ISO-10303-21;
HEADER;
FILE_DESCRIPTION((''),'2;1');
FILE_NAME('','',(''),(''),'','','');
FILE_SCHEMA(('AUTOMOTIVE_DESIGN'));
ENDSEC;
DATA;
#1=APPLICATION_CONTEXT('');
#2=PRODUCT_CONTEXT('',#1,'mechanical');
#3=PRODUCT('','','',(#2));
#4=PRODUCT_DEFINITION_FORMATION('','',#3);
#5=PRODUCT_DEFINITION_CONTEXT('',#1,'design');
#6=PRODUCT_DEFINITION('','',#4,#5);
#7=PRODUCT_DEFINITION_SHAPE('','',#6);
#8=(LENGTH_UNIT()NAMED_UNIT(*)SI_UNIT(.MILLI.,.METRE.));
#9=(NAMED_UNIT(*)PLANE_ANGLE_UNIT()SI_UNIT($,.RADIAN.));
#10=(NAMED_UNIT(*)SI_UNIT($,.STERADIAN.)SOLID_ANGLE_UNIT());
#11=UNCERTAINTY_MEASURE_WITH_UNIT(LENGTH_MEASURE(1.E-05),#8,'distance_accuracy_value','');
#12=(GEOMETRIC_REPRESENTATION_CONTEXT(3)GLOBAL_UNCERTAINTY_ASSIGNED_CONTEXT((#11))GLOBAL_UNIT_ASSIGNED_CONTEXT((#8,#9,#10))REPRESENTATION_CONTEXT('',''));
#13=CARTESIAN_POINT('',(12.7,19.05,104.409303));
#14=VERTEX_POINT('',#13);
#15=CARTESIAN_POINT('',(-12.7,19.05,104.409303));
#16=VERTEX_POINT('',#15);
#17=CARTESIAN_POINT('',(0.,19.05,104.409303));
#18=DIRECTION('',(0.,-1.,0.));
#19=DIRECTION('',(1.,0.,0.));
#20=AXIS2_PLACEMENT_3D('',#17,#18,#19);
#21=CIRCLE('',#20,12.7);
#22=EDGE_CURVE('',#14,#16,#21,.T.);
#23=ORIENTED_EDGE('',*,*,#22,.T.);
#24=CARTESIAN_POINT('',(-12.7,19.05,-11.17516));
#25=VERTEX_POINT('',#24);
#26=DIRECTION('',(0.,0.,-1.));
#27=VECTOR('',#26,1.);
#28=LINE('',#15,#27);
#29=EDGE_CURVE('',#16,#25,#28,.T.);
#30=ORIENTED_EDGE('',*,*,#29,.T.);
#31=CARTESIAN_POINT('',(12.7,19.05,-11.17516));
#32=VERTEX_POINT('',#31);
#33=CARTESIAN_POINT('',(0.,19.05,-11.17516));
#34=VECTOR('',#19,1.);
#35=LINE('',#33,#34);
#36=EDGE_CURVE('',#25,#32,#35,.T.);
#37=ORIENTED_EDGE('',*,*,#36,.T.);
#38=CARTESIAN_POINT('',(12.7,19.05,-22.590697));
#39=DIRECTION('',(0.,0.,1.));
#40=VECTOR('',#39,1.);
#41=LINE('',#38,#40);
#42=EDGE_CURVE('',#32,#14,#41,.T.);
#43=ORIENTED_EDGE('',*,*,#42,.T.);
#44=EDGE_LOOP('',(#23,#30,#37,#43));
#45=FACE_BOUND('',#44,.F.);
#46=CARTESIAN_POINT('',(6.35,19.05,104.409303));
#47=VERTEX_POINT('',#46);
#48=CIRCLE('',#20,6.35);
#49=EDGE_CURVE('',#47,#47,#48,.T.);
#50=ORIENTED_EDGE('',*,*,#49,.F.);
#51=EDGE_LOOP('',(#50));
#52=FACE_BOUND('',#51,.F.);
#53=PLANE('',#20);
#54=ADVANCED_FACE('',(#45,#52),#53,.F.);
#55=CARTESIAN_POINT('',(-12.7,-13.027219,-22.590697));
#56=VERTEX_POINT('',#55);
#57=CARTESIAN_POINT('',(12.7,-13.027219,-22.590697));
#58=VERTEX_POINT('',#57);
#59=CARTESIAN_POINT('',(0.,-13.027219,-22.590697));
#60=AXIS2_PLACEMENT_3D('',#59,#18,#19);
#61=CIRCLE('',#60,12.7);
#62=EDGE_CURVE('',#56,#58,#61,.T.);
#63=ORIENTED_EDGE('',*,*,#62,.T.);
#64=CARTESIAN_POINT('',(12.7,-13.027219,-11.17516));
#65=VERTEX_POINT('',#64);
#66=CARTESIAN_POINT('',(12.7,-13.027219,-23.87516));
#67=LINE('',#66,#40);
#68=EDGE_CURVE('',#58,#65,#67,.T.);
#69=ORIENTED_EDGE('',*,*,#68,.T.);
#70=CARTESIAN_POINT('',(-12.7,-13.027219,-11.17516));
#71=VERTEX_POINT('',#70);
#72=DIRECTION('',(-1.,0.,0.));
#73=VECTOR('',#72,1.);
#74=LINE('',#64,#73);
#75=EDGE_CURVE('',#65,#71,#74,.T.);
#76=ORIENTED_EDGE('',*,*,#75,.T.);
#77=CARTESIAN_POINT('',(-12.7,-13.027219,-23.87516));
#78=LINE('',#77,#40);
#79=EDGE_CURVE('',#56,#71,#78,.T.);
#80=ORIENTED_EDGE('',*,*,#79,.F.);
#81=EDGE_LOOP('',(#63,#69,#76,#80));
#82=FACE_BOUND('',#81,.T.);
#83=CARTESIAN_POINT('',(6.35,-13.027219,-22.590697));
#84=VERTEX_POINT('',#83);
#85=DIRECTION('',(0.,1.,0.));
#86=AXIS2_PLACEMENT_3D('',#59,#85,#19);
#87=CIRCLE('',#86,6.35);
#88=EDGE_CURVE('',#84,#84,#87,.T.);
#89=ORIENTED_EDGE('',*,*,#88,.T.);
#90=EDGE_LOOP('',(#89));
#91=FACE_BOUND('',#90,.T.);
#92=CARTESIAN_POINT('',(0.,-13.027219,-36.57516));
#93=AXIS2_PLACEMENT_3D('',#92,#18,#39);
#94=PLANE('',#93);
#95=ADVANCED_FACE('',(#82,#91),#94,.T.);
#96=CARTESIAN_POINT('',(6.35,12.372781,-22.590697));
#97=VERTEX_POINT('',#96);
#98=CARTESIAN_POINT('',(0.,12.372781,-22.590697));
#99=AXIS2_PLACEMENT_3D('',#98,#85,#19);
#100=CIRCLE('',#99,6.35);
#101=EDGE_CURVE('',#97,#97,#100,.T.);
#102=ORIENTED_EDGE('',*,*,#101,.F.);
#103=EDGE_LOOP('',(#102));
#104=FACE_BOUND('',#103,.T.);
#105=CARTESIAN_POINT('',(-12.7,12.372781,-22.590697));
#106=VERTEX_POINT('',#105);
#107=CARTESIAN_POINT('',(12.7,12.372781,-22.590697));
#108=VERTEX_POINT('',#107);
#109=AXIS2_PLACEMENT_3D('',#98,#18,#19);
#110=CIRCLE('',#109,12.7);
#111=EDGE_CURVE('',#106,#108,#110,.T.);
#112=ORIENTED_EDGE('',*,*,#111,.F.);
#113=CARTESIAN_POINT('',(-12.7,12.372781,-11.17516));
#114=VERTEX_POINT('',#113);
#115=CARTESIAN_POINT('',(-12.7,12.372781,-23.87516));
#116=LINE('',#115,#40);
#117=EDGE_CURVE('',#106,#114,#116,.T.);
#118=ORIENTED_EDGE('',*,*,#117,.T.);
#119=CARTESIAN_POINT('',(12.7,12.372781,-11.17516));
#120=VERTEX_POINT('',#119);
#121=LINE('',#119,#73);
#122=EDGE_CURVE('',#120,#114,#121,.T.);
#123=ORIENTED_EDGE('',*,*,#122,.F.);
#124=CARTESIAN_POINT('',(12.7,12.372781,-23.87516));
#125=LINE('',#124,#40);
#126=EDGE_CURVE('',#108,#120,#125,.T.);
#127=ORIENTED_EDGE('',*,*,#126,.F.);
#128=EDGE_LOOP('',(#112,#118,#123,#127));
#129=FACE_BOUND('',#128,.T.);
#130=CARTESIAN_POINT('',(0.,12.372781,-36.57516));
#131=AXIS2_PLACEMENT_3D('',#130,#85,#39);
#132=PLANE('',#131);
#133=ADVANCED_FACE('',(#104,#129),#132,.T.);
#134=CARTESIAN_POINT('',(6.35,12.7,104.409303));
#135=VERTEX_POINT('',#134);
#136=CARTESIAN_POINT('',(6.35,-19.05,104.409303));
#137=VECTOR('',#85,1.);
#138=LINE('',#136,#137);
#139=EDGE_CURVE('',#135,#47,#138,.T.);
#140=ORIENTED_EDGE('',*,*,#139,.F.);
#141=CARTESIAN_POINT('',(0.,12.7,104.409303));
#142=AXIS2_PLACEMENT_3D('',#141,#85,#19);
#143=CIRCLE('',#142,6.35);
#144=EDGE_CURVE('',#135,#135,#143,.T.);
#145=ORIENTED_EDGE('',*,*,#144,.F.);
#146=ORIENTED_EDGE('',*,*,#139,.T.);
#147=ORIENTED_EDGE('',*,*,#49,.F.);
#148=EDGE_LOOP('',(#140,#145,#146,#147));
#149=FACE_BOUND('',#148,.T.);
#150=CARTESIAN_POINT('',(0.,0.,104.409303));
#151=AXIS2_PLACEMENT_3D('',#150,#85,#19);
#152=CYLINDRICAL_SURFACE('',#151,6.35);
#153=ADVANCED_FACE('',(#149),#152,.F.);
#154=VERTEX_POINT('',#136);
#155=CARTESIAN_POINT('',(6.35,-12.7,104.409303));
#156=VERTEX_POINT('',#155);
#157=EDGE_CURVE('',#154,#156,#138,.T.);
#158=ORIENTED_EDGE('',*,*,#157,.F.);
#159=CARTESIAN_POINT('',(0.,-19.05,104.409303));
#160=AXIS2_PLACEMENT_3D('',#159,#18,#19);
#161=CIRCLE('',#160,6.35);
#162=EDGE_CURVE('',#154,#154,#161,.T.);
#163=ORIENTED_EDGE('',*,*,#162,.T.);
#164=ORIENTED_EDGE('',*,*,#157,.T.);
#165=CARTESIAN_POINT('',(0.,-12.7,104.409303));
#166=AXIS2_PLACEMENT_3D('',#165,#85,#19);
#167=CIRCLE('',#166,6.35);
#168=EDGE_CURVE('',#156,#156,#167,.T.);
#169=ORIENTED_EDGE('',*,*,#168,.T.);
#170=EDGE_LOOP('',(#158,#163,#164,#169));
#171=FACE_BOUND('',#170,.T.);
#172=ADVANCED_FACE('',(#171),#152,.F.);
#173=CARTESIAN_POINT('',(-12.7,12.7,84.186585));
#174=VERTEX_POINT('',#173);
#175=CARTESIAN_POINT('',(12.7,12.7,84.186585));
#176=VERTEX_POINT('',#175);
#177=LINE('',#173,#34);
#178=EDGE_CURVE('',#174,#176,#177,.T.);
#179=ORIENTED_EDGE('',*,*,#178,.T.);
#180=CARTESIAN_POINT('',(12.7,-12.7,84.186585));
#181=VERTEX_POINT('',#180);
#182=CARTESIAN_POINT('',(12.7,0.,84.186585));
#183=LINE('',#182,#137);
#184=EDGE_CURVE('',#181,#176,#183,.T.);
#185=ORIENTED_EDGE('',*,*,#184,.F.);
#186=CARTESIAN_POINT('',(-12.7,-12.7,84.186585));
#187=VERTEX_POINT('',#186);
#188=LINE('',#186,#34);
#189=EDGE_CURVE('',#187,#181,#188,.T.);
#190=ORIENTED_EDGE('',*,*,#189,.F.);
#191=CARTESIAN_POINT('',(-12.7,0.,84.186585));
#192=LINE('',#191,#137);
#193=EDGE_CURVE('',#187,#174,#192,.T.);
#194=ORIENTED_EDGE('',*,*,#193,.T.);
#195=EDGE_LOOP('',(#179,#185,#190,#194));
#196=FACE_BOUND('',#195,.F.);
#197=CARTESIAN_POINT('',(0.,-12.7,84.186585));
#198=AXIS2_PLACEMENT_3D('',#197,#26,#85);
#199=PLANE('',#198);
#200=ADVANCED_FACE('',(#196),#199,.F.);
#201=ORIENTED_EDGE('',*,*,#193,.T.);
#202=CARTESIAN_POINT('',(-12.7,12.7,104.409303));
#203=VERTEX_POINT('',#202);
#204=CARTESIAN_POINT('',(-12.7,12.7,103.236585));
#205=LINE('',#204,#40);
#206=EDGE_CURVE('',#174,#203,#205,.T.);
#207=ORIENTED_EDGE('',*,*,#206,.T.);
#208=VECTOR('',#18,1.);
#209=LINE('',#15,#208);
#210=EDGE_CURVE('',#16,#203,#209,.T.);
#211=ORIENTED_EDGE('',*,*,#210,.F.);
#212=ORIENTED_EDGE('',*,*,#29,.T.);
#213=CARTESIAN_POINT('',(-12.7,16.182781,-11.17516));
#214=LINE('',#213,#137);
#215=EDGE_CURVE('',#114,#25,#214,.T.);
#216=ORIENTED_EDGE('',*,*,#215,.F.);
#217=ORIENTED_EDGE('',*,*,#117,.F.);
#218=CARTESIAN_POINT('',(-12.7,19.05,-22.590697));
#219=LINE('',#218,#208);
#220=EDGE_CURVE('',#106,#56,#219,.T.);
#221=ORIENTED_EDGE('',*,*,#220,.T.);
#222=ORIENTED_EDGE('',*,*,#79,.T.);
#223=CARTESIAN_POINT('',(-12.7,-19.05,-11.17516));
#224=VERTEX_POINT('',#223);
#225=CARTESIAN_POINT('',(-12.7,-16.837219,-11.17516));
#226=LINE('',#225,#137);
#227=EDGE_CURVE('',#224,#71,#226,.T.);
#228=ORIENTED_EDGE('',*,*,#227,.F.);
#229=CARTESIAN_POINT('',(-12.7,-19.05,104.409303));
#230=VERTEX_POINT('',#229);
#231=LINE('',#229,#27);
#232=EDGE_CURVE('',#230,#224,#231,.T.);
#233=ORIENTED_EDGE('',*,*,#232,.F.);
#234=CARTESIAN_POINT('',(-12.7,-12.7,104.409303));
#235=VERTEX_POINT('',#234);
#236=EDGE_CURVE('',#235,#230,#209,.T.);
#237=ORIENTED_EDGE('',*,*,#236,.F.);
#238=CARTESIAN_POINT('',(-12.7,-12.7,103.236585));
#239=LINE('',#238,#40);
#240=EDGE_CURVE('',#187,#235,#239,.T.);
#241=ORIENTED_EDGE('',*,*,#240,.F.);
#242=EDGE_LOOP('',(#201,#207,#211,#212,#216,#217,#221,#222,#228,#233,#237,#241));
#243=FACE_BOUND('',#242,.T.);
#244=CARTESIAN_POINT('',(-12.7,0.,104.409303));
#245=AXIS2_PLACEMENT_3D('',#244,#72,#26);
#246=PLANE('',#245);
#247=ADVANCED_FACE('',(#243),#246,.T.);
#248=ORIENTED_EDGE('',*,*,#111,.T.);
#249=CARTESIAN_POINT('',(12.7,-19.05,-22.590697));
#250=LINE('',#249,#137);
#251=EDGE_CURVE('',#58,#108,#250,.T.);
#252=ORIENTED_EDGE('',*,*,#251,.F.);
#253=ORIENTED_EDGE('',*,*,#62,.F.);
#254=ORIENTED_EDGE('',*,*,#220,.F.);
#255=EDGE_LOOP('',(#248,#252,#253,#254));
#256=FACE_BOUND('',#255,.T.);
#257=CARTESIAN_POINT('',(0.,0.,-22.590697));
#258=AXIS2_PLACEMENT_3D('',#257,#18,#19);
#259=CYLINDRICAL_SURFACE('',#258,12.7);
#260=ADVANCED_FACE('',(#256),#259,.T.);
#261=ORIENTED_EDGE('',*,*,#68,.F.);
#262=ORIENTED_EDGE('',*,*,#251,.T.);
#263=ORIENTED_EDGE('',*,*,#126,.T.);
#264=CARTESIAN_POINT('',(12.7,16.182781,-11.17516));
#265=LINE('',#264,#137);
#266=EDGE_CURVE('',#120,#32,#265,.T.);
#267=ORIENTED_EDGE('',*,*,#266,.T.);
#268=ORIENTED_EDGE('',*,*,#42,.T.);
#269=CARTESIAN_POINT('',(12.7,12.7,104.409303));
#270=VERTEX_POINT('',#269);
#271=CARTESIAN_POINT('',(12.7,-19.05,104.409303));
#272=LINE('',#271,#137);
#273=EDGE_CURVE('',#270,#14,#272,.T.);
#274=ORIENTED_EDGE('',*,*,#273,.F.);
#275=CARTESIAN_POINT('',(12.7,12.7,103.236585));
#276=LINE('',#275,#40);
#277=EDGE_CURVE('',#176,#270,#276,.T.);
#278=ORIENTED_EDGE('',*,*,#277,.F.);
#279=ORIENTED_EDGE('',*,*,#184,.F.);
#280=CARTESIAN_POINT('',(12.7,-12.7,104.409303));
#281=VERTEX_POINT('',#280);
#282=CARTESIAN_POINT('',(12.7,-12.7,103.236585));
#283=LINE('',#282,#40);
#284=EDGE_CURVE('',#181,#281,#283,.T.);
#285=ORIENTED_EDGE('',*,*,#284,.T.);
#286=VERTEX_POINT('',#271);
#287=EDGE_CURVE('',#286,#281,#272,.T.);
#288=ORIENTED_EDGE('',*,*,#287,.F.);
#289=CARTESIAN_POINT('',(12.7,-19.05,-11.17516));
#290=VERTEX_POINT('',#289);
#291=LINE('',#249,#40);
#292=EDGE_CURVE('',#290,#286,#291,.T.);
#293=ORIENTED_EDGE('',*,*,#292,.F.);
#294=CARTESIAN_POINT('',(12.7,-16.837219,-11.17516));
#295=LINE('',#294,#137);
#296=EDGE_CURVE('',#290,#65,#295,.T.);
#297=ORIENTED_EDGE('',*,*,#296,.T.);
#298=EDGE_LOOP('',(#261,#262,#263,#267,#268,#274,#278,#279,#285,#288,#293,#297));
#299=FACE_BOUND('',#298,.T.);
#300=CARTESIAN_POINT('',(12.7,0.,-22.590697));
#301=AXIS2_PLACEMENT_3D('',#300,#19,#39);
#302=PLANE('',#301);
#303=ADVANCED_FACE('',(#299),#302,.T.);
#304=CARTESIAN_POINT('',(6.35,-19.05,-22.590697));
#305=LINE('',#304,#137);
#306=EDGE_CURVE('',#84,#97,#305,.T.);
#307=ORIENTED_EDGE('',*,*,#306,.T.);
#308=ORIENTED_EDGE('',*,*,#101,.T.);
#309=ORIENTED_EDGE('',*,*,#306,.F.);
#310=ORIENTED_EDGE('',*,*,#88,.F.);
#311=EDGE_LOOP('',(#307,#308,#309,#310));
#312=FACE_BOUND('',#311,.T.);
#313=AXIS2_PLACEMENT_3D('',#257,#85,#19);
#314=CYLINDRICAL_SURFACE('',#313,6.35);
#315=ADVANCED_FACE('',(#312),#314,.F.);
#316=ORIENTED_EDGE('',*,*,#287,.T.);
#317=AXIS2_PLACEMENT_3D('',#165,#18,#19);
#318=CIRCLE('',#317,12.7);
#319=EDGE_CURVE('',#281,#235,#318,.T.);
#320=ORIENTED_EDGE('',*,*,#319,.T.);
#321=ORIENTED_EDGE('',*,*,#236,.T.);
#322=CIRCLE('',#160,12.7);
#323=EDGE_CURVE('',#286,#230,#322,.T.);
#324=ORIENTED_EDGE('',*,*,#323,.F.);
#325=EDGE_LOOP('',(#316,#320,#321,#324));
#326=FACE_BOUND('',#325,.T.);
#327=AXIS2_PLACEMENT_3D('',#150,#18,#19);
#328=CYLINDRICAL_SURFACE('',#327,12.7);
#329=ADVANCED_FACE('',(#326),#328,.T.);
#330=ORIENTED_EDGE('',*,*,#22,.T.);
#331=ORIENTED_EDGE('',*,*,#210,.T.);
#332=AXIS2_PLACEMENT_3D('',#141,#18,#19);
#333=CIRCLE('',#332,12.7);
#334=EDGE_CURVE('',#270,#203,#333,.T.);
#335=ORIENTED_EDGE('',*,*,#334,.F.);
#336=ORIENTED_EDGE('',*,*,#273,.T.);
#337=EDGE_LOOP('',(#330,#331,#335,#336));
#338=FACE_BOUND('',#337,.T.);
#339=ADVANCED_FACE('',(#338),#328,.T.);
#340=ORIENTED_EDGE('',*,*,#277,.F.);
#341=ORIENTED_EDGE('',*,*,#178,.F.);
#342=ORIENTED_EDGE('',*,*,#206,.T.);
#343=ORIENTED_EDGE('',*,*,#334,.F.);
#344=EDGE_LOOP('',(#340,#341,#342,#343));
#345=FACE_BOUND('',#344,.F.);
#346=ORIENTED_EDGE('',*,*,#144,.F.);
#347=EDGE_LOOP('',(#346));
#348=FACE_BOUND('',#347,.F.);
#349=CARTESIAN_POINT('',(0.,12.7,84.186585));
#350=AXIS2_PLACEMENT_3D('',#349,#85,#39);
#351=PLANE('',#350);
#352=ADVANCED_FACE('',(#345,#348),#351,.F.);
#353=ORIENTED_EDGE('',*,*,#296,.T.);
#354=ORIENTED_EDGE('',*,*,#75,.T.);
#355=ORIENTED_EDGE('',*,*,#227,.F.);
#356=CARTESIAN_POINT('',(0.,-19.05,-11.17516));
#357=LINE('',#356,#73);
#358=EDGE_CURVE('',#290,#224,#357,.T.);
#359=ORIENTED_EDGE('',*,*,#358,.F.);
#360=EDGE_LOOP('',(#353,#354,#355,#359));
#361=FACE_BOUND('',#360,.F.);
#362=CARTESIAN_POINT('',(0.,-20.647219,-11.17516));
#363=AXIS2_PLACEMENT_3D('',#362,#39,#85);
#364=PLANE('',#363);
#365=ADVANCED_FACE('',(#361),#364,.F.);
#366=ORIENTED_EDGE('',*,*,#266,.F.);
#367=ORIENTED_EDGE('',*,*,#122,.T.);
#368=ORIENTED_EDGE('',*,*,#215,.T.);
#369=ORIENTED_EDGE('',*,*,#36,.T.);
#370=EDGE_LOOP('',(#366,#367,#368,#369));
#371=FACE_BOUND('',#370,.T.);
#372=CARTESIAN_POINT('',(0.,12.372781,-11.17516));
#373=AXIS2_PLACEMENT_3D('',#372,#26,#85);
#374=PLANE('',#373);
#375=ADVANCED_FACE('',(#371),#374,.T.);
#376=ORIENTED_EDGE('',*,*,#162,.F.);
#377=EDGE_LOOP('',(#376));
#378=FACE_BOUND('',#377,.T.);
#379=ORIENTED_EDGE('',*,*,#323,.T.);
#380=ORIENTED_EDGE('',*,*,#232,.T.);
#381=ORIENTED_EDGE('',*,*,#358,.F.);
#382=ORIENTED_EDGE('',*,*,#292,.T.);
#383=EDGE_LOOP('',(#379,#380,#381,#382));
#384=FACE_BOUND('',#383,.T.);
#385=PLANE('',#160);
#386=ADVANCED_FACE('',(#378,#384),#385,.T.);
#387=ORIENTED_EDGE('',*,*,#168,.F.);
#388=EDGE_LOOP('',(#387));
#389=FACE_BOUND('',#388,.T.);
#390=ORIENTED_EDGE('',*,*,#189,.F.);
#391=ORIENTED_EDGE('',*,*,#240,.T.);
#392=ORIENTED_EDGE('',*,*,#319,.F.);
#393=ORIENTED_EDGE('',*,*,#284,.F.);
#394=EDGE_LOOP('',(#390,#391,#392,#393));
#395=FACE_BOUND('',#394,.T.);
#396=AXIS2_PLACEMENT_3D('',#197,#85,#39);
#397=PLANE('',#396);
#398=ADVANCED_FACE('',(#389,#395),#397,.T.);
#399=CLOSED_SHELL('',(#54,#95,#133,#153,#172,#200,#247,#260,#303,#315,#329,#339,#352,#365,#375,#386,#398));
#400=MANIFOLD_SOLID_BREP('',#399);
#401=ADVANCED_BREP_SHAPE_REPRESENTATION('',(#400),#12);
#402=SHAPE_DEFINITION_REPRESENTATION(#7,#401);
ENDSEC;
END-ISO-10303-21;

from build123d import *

# Parameters (mm, degrees)
F0_R     = 6.35
F1_DEPTH = 19.05
F2_W     = 25.4
F2_H     = 38.1
F3_DEPTH = 12.7
F4_W     = 7.62
F4_H     = 25.4
F5_DEPTH = 12.7


with BuildPart() as f1:
    # F0 (on Front) → F1 (new body, symmetric)
    with BuildSketch(Plane.XZ):
        with BuildLine():
            ThreePointArc((-12.7, 104.409303), (0, 91.709303), (12.7, 104.409303))
            ThreePointArc((12.7, 104.409303), (0, 117.109303), (-12.7, 104.409303))
        make_face()
        with Locations((0, 104.409303)):
            Circle(F0_R, mode=Mode.SUBTRACT)
        with BuildLine():
            Line((12.7, -22.590697), (12.7, 104.409303))
            ThreePointArc((12.7, 104.409303), (0, 91.709303), (-12.7, 104.409303))
            Line((-12.7, 104.409303), (-12.7, -22.590697))
            ThreePointArc((-12.7, -22.590697), (0, -9.890697), (12.7, -22.590697))
        make_face()
        with BuildLine():
            ThreePointArc((-12.7, -22.590697), (0, -35.290697), (12.7, -22.590697))
            ThreePointArc((12.7, -22.590697), (0, -9.890697), (-12.7, -22.590697))
        make_face()
        with Locations((0, -22.590697)):
            Circle(F0_R, mode=Mode.SUBTRACT)
    extrude(amount=F1_DEPTH, both=True)

    # F2 (on Right) → F3 (cut, symmetric)
    with BuildSketch(Plane.YZ):
        with Locations((0, 103.236585)):
            Rectangle(F2_W, F2_H)
    extrude(amount=F3_DEPTH, both=True, mode=Mode.SUBTRACT)

    # F4 (on Right) → F5 (cut, symmetric)
    with BuildSketch(Plane.YZ):
        with Locations((-16.837219, -23.87516)):
            Rectangle(F4_W, F4_H)
        with Locations((16.182781, -23.87516)):
            Rectangle(F4_W, F4_H)
    extrude(amount=F5_DEPTH, both=True, mode=Mode.SUBTRACT)


solid = f1.part
